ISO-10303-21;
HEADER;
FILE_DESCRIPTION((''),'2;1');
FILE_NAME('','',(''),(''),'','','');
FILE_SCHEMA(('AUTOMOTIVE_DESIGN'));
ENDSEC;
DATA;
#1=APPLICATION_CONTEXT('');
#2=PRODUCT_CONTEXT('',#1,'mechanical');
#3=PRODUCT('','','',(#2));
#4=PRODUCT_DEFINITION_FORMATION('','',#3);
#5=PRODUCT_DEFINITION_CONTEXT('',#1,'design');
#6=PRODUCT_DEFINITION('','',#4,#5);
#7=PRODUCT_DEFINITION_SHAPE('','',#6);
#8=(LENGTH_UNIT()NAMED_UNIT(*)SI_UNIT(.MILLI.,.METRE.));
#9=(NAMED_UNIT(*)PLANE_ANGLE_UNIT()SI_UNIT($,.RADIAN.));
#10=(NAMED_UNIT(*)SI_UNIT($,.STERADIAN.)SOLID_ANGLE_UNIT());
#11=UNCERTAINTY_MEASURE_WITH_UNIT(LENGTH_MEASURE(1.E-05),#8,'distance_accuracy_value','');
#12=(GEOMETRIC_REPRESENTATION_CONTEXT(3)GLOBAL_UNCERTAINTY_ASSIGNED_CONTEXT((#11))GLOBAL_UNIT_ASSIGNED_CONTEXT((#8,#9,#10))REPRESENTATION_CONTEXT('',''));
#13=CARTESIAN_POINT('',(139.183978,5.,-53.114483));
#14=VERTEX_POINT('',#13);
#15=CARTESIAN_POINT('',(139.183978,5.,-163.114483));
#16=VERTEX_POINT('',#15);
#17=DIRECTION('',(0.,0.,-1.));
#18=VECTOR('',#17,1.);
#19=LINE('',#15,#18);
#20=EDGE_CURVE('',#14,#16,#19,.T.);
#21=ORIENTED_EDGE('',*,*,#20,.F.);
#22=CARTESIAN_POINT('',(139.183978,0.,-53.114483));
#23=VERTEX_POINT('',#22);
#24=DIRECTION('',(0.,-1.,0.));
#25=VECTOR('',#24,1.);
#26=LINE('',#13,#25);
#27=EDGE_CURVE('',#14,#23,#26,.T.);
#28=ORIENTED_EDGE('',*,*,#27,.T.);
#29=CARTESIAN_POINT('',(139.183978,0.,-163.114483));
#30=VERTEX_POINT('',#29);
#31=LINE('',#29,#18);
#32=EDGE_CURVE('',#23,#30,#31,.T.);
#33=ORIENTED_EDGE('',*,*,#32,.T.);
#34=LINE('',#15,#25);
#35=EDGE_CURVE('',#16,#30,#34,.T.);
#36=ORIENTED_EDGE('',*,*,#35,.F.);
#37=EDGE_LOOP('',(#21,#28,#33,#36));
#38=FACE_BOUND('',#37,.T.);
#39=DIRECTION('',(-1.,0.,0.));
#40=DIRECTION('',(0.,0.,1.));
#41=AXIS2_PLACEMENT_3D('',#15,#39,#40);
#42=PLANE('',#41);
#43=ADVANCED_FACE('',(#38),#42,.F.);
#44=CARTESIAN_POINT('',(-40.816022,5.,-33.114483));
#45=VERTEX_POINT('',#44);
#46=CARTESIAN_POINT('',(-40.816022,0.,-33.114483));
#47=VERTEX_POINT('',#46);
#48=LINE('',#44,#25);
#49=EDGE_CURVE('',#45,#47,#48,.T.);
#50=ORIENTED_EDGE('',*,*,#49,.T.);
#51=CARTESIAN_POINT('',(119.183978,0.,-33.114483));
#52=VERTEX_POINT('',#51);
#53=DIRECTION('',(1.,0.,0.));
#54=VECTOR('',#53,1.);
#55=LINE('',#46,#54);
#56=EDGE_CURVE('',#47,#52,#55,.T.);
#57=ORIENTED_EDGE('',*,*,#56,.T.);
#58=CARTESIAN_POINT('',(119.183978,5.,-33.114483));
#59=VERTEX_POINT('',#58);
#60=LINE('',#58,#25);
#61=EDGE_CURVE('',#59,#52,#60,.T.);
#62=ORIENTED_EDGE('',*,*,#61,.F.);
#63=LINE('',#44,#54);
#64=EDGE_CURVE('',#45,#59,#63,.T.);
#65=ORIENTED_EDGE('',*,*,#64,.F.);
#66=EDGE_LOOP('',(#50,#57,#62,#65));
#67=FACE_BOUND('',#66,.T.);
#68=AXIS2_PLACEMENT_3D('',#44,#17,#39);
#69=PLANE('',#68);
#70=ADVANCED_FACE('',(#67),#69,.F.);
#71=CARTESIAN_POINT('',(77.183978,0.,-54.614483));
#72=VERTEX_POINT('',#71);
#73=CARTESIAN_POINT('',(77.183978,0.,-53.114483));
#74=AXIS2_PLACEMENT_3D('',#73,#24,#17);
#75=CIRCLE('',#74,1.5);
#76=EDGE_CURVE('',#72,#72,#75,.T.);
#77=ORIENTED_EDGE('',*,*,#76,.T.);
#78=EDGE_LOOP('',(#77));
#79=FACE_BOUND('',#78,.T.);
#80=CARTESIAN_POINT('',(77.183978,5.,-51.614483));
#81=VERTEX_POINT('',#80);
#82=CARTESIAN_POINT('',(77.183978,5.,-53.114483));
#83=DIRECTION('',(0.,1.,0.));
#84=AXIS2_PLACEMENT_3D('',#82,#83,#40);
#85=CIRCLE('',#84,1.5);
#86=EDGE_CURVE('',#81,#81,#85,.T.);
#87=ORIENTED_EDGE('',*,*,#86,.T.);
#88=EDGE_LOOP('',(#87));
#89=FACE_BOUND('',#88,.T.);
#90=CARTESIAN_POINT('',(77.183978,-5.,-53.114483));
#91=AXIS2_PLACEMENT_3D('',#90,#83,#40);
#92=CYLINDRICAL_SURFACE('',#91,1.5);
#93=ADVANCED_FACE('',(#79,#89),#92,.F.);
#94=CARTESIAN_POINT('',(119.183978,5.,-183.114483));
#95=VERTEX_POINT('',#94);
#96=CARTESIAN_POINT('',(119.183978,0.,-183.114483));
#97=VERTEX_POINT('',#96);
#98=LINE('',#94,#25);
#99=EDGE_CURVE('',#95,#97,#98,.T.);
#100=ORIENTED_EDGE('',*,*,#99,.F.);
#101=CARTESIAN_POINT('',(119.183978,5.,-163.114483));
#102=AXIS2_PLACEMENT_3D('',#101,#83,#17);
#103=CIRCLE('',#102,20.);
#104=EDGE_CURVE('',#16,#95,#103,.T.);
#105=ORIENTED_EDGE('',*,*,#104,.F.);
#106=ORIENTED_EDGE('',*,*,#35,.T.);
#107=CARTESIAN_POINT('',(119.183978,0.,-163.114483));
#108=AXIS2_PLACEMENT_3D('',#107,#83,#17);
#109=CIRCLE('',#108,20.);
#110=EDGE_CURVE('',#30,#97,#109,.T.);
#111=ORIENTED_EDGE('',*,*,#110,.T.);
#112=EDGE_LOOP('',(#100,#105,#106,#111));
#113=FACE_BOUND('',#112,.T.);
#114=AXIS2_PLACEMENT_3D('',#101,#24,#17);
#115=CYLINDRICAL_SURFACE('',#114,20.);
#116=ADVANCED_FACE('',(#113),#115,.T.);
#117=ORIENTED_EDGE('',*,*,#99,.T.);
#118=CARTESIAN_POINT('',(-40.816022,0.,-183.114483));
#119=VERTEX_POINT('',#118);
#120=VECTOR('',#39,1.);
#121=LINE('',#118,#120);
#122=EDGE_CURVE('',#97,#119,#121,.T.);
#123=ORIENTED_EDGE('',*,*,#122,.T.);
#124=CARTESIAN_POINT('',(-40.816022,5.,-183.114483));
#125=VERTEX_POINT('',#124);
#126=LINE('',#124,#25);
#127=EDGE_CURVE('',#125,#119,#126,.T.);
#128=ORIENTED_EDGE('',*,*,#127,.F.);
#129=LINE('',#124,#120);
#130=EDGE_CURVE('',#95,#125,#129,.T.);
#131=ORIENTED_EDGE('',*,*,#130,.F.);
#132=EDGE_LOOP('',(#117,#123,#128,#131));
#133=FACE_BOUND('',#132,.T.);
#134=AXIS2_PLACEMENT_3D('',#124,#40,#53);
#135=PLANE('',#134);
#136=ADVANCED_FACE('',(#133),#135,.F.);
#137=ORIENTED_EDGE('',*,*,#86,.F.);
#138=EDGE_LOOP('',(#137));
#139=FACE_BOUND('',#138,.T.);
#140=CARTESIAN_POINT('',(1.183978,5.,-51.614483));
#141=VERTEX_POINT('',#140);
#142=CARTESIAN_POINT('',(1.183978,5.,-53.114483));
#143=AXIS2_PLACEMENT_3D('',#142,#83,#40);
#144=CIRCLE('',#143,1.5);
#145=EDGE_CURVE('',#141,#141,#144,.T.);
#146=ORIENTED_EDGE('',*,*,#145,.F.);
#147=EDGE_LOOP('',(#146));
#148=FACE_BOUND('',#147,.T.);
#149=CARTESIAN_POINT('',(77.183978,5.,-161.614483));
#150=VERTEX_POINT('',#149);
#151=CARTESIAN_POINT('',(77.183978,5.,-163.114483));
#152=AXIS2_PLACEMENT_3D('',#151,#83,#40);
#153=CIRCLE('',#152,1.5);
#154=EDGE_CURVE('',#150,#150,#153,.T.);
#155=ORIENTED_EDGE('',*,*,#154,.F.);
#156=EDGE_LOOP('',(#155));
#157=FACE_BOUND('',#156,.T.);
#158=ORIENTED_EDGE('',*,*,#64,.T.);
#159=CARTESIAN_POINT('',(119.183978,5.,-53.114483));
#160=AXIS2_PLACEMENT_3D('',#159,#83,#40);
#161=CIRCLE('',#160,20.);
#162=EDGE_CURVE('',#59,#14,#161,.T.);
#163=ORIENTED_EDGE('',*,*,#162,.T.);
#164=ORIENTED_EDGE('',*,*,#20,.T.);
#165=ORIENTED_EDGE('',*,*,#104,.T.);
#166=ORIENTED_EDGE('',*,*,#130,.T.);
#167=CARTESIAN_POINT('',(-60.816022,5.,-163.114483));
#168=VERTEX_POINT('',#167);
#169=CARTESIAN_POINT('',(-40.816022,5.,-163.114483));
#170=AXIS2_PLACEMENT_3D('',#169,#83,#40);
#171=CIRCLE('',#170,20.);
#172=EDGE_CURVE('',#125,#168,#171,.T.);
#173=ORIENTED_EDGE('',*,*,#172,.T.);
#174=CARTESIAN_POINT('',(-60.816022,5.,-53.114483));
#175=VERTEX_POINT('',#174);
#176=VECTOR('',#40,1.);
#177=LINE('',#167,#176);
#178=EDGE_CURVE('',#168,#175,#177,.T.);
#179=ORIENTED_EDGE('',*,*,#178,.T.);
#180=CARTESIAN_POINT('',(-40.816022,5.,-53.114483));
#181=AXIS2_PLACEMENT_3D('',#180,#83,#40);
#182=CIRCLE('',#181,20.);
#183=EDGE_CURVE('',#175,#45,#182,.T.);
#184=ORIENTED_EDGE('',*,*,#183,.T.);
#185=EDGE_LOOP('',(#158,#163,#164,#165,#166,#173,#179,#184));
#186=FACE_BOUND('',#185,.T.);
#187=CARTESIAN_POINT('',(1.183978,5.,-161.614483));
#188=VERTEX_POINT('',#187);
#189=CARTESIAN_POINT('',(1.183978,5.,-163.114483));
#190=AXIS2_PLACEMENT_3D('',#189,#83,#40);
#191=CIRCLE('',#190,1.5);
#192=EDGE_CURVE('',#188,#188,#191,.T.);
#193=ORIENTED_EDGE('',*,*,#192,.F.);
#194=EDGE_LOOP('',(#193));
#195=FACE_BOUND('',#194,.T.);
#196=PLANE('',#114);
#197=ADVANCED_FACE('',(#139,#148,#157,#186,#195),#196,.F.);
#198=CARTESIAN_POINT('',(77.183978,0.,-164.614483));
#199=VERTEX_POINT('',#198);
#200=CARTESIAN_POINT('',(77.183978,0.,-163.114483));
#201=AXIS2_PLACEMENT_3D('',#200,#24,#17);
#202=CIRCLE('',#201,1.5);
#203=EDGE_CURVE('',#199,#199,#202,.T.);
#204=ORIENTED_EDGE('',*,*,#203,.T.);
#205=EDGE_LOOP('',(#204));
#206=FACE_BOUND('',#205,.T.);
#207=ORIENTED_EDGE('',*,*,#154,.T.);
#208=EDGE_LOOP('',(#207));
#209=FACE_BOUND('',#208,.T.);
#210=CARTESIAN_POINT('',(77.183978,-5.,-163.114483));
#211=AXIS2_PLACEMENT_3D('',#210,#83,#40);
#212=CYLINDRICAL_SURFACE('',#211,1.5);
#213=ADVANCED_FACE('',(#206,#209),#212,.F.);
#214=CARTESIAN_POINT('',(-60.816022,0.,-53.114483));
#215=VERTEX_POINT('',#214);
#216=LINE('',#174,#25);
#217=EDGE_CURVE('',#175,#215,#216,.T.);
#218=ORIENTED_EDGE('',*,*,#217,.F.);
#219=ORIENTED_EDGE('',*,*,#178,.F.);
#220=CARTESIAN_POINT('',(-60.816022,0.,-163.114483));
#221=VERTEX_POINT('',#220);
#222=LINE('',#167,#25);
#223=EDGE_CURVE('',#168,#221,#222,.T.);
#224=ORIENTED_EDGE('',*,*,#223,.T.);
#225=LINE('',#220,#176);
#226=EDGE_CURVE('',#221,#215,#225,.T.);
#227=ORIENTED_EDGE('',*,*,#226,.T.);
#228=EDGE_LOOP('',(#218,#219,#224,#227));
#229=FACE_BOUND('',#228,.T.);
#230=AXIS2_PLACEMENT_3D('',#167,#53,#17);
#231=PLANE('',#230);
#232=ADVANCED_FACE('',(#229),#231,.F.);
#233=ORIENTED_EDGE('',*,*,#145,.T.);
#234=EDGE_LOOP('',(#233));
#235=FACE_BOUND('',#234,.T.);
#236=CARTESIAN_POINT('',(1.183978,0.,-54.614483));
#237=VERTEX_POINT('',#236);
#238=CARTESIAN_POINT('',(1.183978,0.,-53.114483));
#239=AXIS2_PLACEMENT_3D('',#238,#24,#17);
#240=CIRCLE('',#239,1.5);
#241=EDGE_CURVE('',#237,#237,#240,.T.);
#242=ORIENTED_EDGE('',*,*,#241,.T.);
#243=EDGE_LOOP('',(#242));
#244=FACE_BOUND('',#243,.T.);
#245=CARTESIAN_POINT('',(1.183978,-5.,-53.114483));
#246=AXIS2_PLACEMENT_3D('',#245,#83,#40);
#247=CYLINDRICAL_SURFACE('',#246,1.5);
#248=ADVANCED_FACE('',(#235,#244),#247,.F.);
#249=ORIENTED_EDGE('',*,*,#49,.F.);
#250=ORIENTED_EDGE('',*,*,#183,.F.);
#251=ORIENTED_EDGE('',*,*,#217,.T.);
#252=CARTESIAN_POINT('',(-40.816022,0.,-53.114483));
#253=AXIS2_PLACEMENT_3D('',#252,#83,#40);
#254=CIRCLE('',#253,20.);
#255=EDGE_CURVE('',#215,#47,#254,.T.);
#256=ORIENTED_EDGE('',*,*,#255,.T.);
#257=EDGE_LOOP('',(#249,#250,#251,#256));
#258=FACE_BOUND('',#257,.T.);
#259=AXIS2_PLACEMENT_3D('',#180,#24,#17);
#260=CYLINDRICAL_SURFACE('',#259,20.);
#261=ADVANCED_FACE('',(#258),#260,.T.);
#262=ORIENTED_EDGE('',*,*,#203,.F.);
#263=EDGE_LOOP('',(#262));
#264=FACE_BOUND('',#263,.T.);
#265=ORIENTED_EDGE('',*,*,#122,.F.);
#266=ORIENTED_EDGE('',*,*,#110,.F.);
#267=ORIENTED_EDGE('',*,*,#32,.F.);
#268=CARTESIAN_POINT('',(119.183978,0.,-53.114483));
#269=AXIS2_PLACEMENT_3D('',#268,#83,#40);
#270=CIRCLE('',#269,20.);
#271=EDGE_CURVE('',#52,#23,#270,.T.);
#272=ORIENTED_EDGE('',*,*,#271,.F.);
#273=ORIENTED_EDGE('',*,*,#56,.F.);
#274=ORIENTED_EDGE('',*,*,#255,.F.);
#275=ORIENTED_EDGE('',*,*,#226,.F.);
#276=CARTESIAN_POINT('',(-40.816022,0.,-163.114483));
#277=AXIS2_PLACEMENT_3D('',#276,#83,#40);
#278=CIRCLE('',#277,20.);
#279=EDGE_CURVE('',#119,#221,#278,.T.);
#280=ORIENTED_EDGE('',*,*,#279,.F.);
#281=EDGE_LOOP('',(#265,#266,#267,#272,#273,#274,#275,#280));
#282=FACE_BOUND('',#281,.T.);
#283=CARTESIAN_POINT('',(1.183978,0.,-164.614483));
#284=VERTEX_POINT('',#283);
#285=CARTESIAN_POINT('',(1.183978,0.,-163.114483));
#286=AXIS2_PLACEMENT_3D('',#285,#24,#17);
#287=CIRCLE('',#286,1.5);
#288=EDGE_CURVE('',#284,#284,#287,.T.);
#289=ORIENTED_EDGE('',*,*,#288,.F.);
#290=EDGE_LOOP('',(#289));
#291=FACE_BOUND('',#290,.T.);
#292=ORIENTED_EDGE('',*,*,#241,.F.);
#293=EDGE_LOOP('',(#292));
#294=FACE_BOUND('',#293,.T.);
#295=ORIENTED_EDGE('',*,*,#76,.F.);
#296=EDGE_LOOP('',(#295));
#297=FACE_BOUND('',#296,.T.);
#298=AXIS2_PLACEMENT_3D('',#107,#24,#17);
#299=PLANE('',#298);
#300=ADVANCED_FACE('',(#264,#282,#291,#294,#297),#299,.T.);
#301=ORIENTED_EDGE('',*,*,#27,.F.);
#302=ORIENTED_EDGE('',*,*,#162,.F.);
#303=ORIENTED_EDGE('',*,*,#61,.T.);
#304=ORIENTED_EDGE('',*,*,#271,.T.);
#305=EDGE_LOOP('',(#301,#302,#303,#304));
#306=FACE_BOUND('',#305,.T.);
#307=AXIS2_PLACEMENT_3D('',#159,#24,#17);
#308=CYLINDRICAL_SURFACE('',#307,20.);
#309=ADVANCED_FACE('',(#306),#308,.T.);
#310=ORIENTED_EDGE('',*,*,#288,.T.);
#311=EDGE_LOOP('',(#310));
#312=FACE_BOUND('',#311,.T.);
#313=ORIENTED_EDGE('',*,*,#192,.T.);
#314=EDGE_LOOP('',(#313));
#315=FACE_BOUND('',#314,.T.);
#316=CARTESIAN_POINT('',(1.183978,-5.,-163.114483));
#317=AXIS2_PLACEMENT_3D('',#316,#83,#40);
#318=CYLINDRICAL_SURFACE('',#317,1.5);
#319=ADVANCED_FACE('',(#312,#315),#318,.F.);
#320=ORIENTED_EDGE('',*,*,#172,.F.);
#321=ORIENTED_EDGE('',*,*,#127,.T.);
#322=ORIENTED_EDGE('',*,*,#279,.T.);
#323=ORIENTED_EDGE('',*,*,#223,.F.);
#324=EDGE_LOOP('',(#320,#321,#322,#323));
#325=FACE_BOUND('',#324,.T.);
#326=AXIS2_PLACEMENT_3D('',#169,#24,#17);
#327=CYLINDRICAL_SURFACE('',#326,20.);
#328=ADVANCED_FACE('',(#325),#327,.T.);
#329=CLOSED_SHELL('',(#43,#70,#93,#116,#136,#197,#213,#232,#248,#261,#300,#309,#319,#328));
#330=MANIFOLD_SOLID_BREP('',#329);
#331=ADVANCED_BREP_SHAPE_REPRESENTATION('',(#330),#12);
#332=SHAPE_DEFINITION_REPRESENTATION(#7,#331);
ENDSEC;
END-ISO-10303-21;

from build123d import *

# Parameters (mm, degrees)
RESSALTO_EXTRUS_O1_DEPTH = 5
ESBO_O2_R                = 1.5
CORTE_EXTRUS_O1_DEPTH    = 10


with BuildPart() as part:
    # Esboço1 → Ressalto-extrusão1 (new body)
    with BuildSketch(Plane(origin=(0, 0, 0), x_dir=(1, 0, 0), z_dir=(0, 1, 0))):
        with BuildLine():
            Line((-40.816022398, 183.1144834), (119.183977602, 183.1144834))
            ThreePointArc((119.183977602, 183.1144834), (133.326113225, 177.256619024), (139.183977602, 163.1144834))
            Line((139.183977602, 163.1144834), (139.183977602, 53.1144834))
            ThreePointArc((139.183977602, 53.1144834), (133.326113225, 38.972347776), (119.183977602, 33.1144834))
            Line((119.183977602, 33.1144834), (-40.816022398, 33.1144834))
            ThreePointArc((-40.816022398, 33.1144834), (-54.958158022, 38.972347776), (-60.816022398, 53.1144834))
            Line((-60.816022398, 53.1144834), (-60.816022398, 163.1144834))
            ThreePointArc((-60.816022398, 163.1144834), (-54.958158022, 177.256619024), (-40.816022398, 183.1144834))
        make_face()
    extrude(amount=RESSALTO_EXTRUS_O1_DEPTH)

    # Esboço2 → Corte-extrusão1 (cut)
    with BuildSketch(Plane(origin=(0, 5, 0), x_dir=(1, 0, 0), z_dir=(0, 1, 0))):
        with Locations(Location((1.183977602, 163.1144834, 0), (0, 0, 270))):
            Circle(ESBO_O2_R)
        with Locations(Location((77.183977602, 163.1144834, 0), (0, 0, 270))):
            Circle(ESBO_O2_R)
        with Locations(Location((77.183977602, 53.1144834, 0), (0, 0, 270))):
            Circle(ESBO_O2_R)
        with Locations(Location((1.183977602, 53.1144834, 0), (0, 0, 270))):
            Circle(ESBO_O2_R)
    extrude(amount=-CORTE_EXTRUS_O1_DEPTH, mode=Mode.SUBTRACT)


solid = part.part
